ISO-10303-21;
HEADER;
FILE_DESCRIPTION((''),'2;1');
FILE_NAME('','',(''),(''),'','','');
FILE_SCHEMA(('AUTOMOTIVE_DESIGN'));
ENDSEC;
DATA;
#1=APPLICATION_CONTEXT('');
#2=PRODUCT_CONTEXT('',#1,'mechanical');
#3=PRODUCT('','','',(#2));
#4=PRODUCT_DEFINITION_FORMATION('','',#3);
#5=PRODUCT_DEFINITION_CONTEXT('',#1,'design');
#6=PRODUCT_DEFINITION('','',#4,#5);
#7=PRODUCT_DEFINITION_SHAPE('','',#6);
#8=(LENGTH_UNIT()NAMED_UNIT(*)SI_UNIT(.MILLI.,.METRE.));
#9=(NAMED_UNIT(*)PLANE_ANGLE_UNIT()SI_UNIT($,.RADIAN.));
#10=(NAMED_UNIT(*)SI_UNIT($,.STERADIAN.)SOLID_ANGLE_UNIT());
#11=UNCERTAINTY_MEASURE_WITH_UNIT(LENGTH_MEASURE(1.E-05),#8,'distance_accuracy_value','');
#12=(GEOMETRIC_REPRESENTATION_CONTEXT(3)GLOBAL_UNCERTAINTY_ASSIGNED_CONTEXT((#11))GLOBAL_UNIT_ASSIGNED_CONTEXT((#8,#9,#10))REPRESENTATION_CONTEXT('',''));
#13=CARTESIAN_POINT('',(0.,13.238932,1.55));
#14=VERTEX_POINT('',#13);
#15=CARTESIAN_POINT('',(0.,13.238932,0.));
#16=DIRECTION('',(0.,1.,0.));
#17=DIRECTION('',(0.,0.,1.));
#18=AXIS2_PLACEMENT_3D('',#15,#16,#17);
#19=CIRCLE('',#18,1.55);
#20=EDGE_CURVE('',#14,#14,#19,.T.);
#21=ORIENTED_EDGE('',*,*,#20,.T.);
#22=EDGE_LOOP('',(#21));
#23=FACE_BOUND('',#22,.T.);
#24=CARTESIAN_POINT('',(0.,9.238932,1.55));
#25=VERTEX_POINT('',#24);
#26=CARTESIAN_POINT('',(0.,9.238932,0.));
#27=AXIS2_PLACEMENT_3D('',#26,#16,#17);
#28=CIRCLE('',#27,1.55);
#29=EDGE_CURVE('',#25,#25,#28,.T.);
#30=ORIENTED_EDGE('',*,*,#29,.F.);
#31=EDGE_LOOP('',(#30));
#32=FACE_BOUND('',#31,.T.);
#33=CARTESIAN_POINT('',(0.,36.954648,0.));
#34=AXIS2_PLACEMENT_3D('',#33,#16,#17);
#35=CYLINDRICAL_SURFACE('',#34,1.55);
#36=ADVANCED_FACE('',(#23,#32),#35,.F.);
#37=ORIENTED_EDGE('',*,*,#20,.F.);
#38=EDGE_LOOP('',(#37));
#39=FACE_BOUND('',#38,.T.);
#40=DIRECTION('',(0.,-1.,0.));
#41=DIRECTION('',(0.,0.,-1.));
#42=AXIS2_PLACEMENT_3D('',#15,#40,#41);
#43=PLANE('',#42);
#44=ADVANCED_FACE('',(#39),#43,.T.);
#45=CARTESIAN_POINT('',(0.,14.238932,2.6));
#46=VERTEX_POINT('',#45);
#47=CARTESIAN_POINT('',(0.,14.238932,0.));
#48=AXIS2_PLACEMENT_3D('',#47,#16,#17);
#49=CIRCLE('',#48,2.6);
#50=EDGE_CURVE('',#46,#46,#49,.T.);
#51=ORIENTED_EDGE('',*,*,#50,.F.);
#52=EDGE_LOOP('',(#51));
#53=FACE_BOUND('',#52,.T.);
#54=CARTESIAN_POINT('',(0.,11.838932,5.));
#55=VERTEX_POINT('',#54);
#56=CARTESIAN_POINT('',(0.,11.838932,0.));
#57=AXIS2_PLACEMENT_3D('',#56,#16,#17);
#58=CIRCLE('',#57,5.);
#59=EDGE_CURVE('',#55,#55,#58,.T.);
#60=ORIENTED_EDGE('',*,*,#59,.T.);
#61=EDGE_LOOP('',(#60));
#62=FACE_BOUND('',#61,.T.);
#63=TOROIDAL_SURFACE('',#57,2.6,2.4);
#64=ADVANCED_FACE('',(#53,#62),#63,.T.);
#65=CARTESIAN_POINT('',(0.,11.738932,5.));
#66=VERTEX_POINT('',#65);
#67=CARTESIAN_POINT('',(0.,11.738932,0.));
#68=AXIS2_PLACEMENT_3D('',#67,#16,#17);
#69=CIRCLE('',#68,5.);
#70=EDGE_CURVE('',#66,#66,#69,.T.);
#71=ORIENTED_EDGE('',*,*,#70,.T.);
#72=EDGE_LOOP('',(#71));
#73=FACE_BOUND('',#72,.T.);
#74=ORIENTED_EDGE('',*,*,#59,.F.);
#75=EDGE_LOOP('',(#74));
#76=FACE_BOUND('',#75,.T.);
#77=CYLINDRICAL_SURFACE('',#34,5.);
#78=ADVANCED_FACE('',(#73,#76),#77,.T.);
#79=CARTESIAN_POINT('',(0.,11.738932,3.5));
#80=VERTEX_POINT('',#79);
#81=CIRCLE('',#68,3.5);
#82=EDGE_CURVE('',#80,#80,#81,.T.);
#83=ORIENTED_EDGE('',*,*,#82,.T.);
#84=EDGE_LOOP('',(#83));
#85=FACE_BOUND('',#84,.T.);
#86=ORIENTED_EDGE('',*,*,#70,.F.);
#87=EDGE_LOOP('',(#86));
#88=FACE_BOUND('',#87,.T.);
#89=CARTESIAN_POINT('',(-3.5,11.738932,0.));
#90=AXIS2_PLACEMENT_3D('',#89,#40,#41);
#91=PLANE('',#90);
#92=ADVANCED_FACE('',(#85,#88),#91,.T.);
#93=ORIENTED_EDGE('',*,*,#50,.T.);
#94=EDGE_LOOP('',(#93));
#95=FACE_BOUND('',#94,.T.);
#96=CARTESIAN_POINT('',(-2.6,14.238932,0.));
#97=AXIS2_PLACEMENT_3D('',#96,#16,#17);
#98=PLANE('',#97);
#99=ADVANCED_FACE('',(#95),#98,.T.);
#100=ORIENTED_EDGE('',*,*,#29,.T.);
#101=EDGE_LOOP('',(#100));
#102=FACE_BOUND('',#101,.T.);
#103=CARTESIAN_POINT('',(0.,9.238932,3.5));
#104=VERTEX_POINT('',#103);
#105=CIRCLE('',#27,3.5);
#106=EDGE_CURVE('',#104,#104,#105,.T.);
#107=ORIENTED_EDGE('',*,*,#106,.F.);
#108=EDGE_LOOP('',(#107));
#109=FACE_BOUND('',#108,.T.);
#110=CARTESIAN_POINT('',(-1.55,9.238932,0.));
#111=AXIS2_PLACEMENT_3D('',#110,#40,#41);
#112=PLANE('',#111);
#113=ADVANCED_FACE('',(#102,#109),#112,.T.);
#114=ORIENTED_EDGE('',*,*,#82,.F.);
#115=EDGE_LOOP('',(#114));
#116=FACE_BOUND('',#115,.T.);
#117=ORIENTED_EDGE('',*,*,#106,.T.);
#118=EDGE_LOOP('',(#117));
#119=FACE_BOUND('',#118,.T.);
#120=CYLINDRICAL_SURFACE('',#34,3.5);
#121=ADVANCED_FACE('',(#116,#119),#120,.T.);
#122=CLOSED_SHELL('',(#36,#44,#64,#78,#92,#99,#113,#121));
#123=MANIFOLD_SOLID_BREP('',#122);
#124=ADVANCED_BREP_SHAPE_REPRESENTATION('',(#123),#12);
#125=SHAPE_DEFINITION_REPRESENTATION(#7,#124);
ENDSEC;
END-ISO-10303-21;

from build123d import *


with BuildPart() as part:
    # Esboço1 → Revolução1 (revolve)
    with BuildSketch(Plane.XY):
        with BuildLine():
            Line((-1.55, 9.238932358), (-3.5, 9.238932358))
            Line((-3.5, 9.238932358), (-3.5, 11.738932358))
            Line((-3.5, 11.738932358), (-5, 11.738932358))
            Line((-5, 11.738932358), (-5, 11.838932358))
            ThreePointArc((-5, 11.838932358), (-4.297056275, 13.535988633), (-2.6, 14.238932358))
            Line((-2.6, 14.238932358), (0, 14.238932358))
            Line((0, 14.238932358), (0, 13.238932358))
            Line((0, 13.238932358), (-1.55, 13.238932358))
            Line((-1.55, 13.238932358), (-1.55, 9.238932358))
        make_face()
    revolve(axis=Axis((0, 36.954647584, 0), (0, -1, 0)))


solid = part.part
